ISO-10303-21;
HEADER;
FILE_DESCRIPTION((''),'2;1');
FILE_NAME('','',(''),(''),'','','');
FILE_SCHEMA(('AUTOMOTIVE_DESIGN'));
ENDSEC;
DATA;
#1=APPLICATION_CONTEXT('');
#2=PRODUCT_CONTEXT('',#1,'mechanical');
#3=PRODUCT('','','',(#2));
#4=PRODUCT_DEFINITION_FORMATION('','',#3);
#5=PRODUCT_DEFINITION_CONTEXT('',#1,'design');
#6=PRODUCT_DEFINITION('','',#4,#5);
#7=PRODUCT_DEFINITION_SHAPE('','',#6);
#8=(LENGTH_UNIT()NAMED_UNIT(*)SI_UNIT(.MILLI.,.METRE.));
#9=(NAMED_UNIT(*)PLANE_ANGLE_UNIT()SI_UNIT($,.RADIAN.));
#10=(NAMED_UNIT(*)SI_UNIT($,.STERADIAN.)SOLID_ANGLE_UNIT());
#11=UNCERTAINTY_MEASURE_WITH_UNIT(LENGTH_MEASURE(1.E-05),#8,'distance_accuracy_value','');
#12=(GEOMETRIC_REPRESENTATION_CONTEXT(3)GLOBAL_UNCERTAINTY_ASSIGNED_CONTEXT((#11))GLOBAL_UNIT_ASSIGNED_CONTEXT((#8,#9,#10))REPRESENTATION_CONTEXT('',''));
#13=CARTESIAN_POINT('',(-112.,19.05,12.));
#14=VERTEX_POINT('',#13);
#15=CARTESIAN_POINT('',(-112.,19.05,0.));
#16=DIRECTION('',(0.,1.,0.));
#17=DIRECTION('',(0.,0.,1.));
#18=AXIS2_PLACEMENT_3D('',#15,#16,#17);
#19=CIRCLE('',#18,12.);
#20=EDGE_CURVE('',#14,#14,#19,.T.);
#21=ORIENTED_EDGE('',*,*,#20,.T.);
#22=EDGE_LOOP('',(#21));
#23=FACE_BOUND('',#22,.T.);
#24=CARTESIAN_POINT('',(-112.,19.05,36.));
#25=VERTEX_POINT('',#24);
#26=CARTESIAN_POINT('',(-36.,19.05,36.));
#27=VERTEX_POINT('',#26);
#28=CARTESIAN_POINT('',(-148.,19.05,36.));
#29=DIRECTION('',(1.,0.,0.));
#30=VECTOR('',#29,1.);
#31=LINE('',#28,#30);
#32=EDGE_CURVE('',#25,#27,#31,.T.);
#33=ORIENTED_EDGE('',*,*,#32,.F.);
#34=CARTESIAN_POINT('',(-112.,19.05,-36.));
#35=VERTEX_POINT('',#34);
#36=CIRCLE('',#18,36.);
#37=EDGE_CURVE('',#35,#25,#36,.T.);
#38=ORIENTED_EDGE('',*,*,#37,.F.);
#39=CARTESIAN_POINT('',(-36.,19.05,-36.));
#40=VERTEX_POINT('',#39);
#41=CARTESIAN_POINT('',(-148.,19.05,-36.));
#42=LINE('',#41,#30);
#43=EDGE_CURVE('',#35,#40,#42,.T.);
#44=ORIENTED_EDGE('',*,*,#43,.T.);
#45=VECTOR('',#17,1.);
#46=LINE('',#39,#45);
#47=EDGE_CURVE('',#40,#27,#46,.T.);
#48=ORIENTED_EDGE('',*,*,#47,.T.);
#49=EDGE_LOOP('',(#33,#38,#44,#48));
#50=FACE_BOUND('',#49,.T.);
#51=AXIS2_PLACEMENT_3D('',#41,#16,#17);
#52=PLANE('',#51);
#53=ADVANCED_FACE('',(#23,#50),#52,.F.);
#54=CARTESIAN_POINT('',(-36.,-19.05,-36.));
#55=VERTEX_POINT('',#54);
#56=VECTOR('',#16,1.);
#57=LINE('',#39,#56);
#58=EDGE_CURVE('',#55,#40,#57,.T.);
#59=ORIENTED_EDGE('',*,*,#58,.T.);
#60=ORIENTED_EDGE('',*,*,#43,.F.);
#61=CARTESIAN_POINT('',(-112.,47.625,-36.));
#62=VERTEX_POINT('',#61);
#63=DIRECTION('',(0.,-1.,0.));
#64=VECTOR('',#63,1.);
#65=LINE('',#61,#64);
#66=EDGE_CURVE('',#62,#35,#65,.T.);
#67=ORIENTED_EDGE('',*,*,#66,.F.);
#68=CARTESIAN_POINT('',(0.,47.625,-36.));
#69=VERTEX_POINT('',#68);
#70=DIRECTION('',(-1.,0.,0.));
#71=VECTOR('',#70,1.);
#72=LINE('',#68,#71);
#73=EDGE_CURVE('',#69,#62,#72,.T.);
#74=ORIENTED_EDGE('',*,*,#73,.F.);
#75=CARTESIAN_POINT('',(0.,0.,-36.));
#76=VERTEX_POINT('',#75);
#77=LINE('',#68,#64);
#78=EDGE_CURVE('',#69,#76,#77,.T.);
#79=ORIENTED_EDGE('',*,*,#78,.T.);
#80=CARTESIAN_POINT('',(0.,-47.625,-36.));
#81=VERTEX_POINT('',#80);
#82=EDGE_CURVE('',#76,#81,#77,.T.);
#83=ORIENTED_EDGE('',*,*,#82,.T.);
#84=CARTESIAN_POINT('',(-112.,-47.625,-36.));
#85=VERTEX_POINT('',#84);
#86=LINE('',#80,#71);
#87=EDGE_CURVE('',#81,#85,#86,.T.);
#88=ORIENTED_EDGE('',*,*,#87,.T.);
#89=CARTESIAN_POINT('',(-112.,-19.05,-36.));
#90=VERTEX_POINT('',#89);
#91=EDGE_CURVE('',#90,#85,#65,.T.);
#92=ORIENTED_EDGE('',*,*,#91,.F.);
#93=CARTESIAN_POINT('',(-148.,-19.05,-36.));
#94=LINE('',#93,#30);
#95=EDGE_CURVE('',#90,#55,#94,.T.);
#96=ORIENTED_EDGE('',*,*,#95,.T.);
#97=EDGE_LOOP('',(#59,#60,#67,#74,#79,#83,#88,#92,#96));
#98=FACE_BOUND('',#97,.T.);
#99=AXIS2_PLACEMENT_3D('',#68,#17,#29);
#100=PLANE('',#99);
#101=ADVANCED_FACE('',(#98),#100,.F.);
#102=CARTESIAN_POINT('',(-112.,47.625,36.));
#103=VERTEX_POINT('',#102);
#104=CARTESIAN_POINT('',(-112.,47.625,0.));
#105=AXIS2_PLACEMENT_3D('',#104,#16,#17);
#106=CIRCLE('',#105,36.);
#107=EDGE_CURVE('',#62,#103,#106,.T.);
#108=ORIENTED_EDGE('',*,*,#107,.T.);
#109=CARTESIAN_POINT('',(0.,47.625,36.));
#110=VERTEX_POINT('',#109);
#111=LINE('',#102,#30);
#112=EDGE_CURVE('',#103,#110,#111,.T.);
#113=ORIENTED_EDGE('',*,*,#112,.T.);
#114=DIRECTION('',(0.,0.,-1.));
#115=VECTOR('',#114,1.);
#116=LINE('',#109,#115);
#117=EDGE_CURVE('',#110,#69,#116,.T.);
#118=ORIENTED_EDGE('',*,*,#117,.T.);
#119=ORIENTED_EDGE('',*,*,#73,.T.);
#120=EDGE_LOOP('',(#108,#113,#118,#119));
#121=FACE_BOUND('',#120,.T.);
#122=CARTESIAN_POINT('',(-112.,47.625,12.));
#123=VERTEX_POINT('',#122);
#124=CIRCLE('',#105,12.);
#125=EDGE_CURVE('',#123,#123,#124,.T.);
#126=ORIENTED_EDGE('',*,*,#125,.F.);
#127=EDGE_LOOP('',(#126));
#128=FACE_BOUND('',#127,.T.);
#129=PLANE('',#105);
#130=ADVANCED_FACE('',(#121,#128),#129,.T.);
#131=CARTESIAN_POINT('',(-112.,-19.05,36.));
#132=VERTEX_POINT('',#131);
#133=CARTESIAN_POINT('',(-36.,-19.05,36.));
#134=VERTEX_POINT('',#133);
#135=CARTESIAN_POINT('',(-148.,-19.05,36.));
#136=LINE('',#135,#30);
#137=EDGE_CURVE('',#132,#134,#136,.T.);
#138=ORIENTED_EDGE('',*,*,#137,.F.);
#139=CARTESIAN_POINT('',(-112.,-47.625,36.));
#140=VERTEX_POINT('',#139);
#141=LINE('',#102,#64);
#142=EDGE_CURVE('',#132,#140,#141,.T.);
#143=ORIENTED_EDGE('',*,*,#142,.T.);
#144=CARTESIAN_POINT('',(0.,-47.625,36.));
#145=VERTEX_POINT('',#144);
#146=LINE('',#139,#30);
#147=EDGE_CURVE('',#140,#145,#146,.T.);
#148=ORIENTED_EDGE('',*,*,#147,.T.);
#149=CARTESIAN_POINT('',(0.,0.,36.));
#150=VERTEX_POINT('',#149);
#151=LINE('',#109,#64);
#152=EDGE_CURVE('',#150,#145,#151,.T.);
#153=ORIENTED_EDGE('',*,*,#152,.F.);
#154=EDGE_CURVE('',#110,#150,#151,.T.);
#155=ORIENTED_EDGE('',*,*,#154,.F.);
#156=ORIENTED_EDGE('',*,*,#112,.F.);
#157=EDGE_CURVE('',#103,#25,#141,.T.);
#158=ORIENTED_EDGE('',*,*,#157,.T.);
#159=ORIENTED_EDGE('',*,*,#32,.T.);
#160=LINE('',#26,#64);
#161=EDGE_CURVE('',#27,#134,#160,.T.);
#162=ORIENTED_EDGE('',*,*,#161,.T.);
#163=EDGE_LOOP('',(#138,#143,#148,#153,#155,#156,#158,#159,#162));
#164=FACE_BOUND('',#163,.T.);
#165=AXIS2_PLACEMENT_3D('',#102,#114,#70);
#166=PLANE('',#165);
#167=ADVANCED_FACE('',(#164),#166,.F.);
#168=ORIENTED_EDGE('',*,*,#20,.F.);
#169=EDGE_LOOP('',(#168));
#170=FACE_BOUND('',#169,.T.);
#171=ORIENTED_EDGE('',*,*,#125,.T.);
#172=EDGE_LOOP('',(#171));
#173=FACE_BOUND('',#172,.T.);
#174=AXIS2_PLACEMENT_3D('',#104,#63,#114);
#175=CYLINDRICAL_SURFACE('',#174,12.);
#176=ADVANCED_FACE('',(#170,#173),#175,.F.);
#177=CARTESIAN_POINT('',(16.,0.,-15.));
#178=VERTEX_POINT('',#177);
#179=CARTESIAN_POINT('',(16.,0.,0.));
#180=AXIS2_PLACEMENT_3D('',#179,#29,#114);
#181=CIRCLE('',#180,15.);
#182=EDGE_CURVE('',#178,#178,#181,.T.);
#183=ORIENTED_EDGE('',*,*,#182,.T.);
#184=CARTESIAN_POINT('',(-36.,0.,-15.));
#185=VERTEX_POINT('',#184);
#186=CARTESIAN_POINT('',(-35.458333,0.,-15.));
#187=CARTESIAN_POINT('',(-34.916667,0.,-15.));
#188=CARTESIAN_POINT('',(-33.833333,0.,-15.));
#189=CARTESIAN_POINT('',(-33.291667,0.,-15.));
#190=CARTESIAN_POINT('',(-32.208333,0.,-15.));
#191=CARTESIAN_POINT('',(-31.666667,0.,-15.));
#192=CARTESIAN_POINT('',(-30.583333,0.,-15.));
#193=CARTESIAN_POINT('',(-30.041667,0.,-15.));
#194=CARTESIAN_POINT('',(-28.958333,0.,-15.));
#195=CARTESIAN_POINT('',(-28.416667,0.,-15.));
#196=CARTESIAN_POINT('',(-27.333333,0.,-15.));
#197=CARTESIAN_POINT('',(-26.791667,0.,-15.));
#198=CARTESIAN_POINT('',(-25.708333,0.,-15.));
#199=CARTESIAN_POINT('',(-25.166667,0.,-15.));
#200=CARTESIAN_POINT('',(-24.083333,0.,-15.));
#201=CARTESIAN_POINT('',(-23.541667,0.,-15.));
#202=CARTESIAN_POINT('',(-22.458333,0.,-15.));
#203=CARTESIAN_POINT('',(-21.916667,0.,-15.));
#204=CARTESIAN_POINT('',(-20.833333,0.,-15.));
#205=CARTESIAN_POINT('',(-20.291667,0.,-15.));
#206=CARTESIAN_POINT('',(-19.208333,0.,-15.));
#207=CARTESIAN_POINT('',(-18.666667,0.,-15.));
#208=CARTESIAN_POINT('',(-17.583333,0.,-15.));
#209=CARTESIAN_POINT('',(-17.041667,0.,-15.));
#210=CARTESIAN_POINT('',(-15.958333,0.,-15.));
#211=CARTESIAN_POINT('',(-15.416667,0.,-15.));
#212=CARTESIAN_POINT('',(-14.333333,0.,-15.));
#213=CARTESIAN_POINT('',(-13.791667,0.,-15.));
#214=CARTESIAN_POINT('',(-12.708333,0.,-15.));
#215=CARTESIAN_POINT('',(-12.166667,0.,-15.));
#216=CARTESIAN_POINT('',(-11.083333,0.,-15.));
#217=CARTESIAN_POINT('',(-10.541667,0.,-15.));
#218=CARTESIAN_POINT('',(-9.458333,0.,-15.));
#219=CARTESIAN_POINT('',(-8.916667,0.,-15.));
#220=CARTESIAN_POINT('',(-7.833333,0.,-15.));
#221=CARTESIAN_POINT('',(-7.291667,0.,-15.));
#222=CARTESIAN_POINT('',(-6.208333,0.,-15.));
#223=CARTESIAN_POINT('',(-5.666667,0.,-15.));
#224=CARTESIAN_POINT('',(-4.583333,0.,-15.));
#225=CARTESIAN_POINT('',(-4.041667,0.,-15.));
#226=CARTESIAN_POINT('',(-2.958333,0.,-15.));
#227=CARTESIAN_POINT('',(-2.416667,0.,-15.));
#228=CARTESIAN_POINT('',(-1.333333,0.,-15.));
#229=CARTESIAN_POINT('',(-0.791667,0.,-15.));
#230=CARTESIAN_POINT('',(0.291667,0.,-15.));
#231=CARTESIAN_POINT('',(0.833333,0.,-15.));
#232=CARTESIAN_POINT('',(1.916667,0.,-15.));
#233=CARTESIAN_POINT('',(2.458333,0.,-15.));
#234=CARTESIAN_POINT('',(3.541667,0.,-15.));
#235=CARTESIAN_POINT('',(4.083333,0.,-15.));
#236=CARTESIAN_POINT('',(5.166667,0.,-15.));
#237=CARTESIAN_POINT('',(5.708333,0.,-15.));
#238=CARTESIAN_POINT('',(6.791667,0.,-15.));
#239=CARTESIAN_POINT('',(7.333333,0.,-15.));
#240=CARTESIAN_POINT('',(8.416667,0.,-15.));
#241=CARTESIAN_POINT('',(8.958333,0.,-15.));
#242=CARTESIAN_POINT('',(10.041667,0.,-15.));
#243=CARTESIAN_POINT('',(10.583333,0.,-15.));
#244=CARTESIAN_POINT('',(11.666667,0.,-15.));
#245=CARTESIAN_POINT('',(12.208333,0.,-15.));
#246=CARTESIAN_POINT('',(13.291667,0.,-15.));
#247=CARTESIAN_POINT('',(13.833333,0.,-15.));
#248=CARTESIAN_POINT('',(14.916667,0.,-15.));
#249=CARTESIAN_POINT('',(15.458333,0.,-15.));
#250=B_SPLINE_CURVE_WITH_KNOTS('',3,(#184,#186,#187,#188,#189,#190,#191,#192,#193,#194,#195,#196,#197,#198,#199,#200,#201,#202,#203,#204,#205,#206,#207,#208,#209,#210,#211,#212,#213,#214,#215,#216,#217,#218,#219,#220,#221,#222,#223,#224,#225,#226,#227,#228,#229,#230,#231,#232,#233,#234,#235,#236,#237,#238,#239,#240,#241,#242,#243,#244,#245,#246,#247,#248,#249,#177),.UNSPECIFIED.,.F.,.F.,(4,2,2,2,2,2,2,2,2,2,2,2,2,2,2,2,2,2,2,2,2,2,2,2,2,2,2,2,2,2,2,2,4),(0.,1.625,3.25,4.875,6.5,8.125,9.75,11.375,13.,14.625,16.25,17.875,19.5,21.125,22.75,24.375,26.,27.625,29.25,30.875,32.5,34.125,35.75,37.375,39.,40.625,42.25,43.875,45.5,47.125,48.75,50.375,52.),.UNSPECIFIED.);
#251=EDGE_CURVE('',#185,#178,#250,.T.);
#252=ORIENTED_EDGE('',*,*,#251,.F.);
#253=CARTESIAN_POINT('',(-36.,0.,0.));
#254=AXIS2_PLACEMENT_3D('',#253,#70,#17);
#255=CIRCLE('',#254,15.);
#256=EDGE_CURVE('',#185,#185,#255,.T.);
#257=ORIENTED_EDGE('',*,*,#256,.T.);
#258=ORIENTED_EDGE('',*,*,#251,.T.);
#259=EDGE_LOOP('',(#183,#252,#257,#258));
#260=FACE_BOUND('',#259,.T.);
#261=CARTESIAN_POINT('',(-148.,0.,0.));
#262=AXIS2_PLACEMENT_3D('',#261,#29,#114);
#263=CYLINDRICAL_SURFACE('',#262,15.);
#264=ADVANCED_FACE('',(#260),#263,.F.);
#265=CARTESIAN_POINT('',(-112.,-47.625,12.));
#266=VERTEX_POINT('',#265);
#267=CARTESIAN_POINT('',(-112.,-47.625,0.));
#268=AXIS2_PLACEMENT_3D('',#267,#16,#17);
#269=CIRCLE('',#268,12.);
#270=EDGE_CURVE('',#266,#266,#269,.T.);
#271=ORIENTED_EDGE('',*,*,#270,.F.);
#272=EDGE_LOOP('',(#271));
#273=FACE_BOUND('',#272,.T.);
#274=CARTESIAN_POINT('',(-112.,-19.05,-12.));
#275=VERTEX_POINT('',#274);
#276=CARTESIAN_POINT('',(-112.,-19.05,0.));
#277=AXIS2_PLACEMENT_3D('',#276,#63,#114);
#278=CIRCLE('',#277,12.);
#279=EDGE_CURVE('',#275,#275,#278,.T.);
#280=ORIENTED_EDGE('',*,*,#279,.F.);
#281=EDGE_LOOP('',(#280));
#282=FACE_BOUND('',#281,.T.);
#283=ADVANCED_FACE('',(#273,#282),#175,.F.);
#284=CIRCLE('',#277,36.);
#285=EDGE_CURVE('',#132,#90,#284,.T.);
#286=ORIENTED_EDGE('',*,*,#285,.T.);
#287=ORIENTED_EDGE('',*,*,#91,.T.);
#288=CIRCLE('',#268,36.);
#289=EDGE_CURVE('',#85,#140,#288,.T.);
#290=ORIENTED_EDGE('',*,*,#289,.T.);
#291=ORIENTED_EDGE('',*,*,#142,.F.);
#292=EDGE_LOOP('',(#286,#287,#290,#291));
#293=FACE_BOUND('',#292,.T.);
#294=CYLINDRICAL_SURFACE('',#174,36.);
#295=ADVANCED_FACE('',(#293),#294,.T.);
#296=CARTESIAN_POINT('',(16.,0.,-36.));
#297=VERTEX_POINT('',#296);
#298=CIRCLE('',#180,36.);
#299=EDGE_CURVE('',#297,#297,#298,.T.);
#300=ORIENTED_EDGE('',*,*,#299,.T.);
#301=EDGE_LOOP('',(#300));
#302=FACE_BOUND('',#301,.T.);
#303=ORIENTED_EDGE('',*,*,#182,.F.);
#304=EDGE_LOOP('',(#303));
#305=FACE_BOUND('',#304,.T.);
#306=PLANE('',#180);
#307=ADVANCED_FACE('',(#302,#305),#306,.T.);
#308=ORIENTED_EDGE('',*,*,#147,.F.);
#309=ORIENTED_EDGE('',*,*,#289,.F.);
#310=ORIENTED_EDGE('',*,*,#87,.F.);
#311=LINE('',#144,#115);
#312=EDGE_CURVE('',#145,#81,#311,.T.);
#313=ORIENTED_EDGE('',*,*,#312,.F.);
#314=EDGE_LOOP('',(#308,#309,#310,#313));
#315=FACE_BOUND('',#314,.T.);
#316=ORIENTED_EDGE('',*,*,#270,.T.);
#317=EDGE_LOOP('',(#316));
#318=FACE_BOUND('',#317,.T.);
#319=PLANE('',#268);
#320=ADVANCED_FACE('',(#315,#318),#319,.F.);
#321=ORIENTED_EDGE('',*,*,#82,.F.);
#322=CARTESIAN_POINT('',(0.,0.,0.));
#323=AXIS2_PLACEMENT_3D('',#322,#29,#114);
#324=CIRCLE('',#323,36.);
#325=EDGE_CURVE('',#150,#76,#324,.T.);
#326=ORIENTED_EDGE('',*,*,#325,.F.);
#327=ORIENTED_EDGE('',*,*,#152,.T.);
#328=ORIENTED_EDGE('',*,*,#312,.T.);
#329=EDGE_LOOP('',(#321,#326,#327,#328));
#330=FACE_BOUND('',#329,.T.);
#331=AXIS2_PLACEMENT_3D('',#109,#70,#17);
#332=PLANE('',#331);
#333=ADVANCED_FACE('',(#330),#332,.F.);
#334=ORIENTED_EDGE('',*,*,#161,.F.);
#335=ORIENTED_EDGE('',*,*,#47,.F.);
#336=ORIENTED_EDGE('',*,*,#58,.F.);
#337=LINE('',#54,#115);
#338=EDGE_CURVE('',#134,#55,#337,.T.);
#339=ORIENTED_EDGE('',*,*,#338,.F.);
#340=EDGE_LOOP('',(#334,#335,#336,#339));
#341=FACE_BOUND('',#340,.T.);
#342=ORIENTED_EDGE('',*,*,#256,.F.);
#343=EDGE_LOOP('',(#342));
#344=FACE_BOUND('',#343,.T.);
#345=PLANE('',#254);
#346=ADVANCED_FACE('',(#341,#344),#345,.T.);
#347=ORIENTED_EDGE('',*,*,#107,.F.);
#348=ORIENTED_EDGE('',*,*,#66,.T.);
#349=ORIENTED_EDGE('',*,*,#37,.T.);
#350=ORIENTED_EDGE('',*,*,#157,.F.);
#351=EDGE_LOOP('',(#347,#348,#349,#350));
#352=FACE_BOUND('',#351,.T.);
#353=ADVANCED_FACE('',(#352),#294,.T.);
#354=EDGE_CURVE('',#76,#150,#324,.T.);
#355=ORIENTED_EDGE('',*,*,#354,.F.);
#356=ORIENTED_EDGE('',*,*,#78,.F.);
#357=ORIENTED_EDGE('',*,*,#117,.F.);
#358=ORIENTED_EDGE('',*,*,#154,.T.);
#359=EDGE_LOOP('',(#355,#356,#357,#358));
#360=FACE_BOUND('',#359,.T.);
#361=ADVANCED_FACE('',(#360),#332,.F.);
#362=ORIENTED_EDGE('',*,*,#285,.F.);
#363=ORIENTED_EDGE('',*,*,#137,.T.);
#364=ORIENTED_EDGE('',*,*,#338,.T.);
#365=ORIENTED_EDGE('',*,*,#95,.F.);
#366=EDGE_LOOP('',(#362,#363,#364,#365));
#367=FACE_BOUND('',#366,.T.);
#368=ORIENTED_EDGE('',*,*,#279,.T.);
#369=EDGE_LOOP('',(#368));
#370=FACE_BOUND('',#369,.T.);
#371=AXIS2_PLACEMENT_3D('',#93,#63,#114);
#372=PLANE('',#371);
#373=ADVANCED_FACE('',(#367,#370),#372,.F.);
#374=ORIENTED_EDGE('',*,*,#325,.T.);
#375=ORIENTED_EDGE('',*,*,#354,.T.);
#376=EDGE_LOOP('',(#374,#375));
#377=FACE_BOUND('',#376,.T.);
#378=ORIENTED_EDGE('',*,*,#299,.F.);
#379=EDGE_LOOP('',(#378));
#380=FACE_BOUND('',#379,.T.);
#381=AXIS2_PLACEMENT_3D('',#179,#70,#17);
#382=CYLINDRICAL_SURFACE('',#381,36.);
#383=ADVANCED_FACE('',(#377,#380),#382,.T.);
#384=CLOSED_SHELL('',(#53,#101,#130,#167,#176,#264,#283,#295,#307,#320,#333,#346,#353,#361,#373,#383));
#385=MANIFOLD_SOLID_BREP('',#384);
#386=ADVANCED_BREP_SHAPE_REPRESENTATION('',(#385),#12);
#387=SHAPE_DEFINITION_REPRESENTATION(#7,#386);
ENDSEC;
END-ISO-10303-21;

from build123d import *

# Parameters (mm, degrees)
SKETCH1_R           = 12
BOSS_EXTRUDE1_DEPTH = 47.625
CUT_EXTRUDE1_START  = -36
SKETCH2_W           = 72
SKETCH2_H           = 38.1
CUT_EXTRUDE1_DEPTH  = 124.587407476
SKETCH3_R           = 36
BOSS_EXTRUDE2_DEPTH = 16
SKETCH4_R           = 15
CUT_EXTRUDE2_DEPTH  = 175.528337599


with BuildPart() as part:
    # Sketch1 → Boss-Extrude1 (new, symmetric)
    with BuildSketch(Plane(origin=(0, 0, 0), x_dir=(1, 0, 0), z_dir=(0, 1, 0))):
        with BuildLine():
            Line((0, -36), (0, 36))
            Line((0, 36), (-112, 36))
            ThreePointArc((-112, 36), (-148, 0), (-112, -36))
            Line((-112, -36), (0, -36))
        make_face()
        with Locations(Location((-112, 0, 0), (0, 0, 270))):
            Circle(SKETCH1_R, mode=Mode.SUBTRACT)
    extrude(amount=BOSS_EXTRUDE1_DEPTH, both=True)

    # Sketch2 → Cut-Extrude1 (cut, through all)
    with BuildSketch(Plane(origin=(0, 0, 0), x_dir=(0, 0, -1), z_dir=(1, 0, 0)).offset(CUT_EXTRUDE1_START)):
        Rectangle(SKETCH2_W, SKETCH2_H)
    extrude(amount=-CUT_EXTRUDE1_DEPTH, mode=Mode.SUBTRACT)

    # Sketch3 → Boss-Extrude2 (add)
    with BuildSketch(Plane(origin=(0, 0, 0), x_dir=(0, 0, -1), z_dir=(1, 0, 0))):
        Circle(SKETCH3_R)
    extrude(amount=BOSS_EXTRUDE2_DEPTH)

    # Sketch4 → Cut-Extrude2 (cut, through all)
    with BuildSketch(Plane(origin=(16, 0, 0), x_dir=(0, 0, -1), z_dir=(1, 0, 0))):
        Circle(SKETCH4_R)
    extrude(amount=-CUT_EXTRUDE2_DEPTH, mode=Mode.SUBTRACT)


solid = part.part
